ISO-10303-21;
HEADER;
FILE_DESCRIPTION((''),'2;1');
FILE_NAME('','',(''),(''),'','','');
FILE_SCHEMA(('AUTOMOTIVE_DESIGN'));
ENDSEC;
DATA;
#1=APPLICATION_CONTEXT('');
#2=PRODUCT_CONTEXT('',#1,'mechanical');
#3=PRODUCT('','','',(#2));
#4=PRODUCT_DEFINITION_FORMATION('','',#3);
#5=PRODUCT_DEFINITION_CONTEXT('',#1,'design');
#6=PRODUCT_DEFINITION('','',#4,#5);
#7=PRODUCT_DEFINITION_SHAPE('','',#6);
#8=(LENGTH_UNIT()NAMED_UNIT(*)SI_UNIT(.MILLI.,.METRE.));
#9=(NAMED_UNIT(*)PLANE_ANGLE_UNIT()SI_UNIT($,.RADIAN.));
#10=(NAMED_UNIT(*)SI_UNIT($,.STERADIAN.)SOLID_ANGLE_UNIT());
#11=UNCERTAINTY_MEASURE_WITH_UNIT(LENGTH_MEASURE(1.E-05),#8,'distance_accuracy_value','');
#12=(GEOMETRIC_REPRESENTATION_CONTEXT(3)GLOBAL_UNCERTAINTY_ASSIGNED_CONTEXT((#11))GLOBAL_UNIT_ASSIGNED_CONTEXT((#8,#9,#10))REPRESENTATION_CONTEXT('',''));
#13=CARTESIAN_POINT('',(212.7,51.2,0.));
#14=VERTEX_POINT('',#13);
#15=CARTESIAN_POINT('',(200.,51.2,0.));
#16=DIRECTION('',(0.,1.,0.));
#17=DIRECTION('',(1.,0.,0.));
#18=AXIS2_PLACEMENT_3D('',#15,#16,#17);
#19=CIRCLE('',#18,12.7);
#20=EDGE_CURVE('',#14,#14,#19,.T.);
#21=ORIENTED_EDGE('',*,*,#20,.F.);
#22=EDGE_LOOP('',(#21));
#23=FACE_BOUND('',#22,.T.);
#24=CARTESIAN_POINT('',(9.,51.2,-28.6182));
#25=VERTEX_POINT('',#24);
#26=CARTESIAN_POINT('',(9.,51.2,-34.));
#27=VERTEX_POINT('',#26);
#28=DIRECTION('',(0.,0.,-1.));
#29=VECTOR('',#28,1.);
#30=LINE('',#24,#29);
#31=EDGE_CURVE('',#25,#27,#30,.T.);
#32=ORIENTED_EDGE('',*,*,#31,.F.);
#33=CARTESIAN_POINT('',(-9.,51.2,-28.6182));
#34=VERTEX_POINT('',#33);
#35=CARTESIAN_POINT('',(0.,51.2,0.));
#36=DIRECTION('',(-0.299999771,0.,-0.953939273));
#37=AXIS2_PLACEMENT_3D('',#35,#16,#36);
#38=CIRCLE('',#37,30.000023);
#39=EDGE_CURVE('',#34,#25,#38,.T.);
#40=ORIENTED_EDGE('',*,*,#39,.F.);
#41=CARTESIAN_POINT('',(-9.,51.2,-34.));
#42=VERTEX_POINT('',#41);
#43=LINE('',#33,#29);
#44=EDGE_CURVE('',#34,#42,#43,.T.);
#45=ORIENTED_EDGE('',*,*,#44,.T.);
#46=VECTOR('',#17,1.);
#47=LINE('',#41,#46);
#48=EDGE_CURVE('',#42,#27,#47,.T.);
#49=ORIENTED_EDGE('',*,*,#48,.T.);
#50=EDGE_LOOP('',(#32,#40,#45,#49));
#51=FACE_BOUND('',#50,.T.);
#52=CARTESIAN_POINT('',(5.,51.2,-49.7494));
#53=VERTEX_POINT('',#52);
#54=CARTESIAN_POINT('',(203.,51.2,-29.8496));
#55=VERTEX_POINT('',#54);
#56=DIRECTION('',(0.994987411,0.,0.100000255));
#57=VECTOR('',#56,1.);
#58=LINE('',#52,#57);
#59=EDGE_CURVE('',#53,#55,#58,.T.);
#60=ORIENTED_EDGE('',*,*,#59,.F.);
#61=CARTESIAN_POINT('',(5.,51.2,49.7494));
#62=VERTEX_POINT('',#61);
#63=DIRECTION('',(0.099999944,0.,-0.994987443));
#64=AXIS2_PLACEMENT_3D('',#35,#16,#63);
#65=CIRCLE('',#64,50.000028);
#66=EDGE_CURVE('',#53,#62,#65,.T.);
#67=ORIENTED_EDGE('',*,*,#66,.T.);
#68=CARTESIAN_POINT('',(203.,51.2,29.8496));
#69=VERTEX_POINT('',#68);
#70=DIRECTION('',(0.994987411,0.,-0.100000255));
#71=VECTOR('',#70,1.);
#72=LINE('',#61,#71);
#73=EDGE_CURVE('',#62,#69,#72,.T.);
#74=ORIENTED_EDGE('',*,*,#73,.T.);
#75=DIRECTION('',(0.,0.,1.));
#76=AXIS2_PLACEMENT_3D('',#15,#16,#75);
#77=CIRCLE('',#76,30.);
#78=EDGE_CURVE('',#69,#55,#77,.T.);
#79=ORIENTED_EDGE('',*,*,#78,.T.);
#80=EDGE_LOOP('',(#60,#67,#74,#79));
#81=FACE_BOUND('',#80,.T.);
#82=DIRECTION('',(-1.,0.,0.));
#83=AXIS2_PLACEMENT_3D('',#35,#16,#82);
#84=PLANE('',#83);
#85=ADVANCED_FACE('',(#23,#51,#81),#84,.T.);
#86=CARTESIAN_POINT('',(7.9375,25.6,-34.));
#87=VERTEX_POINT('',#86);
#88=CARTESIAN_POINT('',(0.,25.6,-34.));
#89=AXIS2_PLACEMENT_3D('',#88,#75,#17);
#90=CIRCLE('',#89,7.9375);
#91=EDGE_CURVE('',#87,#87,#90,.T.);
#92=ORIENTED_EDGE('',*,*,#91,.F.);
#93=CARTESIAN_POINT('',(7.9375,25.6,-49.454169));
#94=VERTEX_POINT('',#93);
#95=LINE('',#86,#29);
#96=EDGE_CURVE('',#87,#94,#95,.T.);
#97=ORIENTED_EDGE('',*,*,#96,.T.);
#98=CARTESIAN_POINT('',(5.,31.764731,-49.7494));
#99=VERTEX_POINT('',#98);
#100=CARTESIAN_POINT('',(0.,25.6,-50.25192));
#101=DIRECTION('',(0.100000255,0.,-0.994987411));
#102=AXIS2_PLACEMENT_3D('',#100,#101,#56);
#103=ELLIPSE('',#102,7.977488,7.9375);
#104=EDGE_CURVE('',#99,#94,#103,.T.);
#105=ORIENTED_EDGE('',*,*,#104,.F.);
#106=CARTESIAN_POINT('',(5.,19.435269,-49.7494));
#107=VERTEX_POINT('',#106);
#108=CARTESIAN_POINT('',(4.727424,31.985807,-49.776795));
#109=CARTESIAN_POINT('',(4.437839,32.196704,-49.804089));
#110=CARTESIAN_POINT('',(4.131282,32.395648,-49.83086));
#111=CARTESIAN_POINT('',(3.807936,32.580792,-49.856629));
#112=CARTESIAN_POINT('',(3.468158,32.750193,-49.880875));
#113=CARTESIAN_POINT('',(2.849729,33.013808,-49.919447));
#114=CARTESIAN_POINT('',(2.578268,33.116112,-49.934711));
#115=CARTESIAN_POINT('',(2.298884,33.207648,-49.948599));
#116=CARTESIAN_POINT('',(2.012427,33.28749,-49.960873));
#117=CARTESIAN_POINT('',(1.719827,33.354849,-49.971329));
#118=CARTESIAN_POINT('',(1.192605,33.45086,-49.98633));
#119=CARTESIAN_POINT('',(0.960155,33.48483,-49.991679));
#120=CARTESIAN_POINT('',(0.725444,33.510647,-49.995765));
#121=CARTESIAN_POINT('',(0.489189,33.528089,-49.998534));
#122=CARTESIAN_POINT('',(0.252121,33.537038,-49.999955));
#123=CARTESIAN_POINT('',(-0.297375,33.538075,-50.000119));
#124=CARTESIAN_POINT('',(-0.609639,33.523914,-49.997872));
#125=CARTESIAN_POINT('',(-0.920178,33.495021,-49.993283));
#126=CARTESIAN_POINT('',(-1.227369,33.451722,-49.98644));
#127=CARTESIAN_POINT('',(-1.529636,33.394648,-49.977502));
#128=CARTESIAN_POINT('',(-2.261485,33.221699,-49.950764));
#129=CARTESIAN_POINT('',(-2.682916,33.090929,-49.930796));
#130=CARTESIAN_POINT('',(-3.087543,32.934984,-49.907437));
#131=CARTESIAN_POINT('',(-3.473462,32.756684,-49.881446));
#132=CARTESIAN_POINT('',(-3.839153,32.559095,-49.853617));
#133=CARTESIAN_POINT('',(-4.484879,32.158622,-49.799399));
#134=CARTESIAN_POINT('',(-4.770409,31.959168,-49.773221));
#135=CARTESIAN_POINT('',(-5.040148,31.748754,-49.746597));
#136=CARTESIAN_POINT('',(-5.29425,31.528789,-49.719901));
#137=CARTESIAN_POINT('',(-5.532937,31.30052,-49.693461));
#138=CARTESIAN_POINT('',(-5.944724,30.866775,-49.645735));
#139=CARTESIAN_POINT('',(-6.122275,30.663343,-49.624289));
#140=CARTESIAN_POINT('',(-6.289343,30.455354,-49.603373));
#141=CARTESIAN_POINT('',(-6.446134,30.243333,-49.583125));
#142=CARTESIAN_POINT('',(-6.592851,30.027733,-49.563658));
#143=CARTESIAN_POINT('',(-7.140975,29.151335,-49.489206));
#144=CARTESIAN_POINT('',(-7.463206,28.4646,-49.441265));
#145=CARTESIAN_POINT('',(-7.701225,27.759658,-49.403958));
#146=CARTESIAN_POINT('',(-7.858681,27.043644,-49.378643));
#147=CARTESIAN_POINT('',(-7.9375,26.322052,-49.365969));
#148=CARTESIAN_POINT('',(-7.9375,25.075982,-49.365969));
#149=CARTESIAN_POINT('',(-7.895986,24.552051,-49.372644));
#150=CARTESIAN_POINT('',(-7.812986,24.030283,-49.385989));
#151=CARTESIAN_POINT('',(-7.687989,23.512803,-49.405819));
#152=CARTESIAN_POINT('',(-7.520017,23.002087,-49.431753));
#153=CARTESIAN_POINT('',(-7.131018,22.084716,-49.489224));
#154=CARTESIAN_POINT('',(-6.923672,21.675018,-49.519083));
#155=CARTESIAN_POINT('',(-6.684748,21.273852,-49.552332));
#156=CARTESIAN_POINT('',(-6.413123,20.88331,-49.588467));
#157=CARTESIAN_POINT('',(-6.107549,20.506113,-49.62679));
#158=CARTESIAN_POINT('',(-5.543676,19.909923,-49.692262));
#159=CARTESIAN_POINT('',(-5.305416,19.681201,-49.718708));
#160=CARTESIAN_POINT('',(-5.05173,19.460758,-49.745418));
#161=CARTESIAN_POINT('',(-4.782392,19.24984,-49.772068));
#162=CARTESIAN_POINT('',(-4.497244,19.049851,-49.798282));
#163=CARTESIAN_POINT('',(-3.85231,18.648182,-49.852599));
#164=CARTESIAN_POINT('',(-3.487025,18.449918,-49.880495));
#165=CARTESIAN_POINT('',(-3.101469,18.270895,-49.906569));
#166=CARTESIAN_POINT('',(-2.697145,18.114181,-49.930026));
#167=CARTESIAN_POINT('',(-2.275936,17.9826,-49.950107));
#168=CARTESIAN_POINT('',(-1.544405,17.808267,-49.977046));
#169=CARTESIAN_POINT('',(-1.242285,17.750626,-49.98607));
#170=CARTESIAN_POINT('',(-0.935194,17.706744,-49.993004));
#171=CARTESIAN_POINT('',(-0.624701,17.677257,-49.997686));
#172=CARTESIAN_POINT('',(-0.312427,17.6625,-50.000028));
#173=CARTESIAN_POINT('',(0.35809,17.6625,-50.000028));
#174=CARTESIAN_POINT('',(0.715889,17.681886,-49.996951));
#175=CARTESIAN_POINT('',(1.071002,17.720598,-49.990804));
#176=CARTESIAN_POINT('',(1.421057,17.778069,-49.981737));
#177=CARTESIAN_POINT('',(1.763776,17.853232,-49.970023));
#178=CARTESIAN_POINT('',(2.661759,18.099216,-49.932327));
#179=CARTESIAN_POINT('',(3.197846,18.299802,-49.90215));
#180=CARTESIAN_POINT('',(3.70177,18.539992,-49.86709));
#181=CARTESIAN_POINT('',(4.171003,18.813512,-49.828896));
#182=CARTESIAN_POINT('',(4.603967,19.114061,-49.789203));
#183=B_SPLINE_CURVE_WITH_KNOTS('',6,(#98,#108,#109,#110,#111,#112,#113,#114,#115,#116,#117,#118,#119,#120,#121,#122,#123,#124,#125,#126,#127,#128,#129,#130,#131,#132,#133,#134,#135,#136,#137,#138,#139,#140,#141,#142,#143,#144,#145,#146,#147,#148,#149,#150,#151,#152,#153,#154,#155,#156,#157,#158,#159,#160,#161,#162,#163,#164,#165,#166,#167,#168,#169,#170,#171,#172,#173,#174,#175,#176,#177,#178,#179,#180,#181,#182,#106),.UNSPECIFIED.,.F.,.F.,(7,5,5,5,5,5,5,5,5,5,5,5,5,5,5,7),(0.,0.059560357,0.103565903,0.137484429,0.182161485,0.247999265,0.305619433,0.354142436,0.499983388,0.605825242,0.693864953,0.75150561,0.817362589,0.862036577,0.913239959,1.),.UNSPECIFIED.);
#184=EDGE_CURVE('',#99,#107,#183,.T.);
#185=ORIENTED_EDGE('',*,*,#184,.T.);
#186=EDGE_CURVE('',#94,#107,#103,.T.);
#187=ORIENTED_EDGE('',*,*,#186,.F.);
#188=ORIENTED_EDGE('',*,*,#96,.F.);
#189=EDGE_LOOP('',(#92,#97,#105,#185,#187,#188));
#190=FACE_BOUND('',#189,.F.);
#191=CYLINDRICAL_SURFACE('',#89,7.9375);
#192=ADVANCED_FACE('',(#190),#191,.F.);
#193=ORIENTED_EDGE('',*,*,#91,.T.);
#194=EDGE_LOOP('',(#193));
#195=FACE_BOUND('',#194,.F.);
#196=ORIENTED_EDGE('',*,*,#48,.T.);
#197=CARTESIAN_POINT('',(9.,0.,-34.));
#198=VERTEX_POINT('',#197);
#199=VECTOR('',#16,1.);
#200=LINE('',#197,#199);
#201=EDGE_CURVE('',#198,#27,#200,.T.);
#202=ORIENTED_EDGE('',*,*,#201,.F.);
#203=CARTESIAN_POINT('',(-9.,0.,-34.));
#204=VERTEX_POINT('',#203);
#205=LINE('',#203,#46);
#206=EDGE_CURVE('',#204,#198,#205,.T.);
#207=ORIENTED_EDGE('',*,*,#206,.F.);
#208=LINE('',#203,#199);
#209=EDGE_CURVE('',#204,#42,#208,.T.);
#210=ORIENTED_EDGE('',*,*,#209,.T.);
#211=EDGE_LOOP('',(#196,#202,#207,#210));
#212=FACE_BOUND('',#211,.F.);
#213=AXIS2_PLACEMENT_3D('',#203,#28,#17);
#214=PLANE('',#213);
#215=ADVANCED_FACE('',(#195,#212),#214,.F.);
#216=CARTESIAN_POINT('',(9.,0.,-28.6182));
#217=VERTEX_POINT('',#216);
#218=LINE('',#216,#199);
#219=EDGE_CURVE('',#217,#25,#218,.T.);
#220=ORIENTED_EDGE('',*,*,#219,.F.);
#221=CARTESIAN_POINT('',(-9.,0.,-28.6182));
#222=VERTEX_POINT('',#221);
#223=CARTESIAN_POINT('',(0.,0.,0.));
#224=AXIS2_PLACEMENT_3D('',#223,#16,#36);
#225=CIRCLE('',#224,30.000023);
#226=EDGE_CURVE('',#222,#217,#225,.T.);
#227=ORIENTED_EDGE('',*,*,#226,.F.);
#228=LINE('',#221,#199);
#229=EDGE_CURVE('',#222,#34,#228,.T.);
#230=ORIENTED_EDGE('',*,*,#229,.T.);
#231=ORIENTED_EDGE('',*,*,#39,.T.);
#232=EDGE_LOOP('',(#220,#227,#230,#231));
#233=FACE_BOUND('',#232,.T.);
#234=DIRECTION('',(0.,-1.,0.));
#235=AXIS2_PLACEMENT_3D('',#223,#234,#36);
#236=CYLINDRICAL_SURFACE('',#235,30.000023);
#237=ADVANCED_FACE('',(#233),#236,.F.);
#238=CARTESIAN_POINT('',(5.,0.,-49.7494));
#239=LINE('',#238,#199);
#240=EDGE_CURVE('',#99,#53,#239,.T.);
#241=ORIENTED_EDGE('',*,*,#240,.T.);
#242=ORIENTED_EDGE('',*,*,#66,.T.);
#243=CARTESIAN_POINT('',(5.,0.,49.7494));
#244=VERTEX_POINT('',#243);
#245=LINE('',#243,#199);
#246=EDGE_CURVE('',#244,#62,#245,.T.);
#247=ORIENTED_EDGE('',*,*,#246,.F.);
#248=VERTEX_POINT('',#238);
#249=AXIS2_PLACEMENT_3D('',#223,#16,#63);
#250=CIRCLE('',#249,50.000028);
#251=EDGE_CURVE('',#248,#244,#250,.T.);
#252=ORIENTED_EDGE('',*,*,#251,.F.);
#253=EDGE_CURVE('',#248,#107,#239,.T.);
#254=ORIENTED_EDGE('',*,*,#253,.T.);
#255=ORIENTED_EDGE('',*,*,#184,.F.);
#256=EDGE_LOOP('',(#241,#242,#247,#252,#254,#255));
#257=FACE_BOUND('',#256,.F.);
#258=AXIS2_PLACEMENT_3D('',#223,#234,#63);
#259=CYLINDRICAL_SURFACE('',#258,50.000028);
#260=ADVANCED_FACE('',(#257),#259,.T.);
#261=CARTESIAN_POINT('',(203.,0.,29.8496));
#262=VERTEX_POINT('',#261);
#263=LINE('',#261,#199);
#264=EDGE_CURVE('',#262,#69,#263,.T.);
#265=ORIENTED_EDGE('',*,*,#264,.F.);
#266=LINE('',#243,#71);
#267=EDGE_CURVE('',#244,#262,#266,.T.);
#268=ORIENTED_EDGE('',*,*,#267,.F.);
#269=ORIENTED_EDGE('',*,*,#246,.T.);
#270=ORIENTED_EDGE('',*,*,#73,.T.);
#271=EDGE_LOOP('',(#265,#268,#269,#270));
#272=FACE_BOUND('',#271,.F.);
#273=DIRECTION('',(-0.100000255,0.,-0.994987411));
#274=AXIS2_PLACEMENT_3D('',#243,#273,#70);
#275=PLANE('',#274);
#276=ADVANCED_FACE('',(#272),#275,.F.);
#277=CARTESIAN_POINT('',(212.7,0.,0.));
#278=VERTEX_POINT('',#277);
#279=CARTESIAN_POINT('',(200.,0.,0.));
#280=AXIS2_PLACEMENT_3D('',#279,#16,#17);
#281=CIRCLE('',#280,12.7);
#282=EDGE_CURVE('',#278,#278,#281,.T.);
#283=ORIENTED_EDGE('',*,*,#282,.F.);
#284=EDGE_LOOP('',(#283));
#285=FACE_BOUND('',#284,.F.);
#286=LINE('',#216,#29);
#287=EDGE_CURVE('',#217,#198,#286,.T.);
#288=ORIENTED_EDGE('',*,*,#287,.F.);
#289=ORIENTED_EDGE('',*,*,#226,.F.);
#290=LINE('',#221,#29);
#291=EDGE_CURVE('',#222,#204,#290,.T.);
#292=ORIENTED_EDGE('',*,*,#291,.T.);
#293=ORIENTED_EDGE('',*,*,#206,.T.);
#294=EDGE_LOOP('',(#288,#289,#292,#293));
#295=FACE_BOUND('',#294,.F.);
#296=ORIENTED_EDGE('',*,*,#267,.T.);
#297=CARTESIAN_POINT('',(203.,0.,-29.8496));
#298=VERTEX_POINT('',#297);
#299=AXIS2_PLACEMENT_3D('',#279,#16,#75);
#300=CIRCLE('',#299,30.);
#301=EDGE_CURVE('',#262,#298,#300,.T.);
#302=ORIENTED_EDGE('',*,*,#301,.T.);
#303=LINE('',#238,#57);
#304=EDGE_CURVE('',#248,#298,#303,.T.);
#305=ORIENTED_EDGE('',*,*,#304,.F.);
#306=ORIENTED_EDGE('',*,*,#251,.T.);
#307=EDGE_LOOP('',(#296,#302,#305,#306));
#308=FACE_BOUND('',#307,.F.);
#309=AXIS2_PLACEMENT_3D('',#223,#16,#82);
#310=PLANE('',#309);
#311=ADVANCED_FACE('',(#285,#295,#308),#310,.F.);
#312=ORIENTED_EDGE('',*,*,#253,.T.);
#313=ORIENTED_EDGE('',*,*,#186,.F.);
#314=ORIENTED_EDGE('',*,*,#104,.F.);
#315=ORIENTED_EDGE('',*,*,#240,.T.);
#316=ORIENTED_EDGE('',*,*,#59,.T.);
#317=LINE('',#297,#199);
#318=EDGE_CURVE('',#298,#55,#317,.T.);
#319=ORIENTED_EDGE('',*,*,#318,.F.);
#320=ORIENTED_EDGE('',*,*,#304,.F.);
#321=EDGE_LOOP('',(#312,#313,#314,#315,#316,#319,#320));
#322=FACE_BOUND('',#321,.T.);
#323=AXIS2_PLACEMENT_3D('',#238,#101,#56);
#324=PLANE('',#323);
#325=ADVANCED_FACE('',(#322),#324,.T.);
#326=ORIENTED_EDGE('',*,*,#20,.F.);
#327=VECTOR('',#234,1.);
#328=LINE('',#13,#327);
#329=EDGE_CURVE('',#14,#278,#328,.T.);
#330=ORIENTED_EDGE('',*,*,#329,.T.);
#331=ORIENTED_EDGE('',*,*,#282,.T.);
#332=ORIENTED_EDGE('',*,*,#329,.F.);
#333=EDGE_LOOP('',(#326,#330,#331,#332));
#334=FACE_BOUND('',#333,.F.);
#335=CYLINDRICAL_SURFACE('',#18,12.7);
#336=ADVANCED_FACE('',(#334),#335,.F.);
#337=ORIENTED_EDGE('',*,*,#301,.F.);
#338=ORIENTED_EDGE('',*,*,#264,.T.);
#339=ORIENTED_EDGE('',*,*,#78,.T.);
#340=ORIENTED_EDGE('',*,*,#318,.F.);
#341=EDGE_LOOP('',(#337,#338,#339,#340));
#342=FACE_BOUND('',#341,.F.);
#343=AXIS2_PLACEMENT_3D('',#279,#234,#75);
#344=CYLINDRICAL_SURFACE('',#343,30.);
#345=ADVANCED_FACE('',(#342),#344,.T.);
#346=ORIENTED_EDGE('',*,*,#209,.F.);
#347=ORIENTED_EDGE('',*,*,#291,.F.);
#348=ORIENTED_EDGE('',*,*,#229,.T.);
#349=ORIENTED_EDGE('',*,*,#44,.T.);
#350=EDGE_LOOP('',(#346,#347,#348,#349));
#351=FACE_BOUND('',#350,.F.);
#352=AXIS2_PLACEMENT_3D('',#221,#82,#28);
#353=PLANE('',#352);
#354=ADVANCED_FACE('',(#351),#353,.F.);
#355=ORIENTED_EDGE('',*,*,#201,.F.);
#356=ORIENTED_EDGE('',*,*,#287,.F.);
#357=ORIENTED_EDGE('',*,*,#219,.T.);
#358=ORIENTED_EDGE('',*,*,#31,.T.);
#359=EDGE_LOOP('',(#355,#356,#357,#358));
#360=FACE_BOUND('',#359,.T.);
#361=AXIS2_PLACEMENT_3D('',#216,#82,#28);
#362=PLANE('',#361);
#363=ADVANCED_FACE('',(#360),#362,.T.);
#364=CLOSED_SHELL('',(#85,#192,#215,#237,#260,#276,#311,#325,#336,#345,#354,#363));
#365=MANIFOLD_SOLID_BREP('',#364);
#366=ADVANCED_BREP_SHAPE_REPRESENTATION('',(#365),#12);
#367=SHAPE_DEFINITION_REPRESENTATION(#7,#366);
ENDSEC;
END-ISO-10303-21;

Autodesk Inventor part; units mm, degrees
ref_plane "YZ Plane" through (0, 0, 0) normal (1, 0, 0) x (0, 1, 0)
ref_plane "XZ Plane" through (0, 0, 0) normal (0, 1, 0) x (-1, 0, 0)
ref_plane "XY Plane" through (0, 0, 0) normal (0, 0, 1) x (1, 0, 0)
sketch "Sketch1" plane through (0, 0, 0) normal (0, 1, 0) x (-1, 0, 0)
  arc A0 (9, -28.6182) -> (-9, -28.6182) centre (0, 0) ccw
  arc A1 (-5, 49.7494) -> (-5, -49.7494) centre (0, 0) ccw construction
  line L0 (0, 0) -> (-200, 0) construction
  arc A2 (-170, 0) -> (-200, 30) centre (-200, 0) ccw construction
  line L1 (-200, 30) -> (-200, -30) construction
  line L2 (-5, -49.7494) -> (-203, -29.8496)
  line L3 (-5, 49.7494) -> (-203, 29.8496)
  arc A3 (-5, -49.7494) -> (-5, 49.7494) centre (0, 0) ccw
  arc A4 (-200, -30) -> (-170, 0) centre (-200, 0) ccw construction
  arc A5 (-200, 30) -> (-200, -30) centre (-200, 0) ccw
  line L4 (0, 0) -> (0, -30) construction
  line L5 (9, -23) -> (-9, -23) construction
  line L6 (9, -23) -> (9, -28.6182) construction
  line L7 (-9, -23) -> (-9, -28.6182) construction
  line L8 (9, -28.6182) -> (9, -34)
  line L9 (-9, -28.6182) -> (-9, -34)
  line L10 (9, -34) -> (-9, -34)
  arc A6 (0, -30) -> (9, -28.6182) centre (0, 0) ccw construction
  arc A7 (-9, -28.6182) -> (0, -30) centre (0, 0) ccw construction
  dimension "d0" = 60
  dimension "d1" = 100
  dimension "d2" = 200
  dimension "d3" = 60
  dimension "d5" = 18
  dimension "d6" = 7
  dimension "d7" = 4
extrude "Extrusion1" add sketch "Sketch1" along normal blind 51.2
sketch "Sketch2" plane through (0, 51.2, 0) normal (0, 1, 0) x (1, 0, 0)
  arc A0 (203, -29.8496) -> (203, 29.8496) centre (200, 0) ccw projected
  circle A1 centre (200, 0) radius 12.7
  point P0 (0, 0)
  dimension "d10" = 25.4
extrude "Extrusion4" cut sketch "Sketch2" against normal through all
sketch "Sketch4" plane through (-9, 0, -34) normal (0, 0, 1) x (1, 0, 0)
  line L0 (0, 0) -> (18, 0) projected
  line L1 (18, 0) -> (18, 51.2) projected
  line L2 (0, 51.2) -> (18, 51.2) projected
  line L3 (0, 0) -> (0, 51.2) projected
  line L4 (9, 51.2) -> (9, 0) construction
  line L5 (0, 0) -> (0, 51.2) construction
  line L6 (0, 25.6) -> (18, 25.6) construction
  circle A0 centre (9, 25.6) radius 7.9375
  dimension "d24" = 15.875
extrude "Extrusion5" cut sketch "Sketch4" against normal through all contours A0
thread "Thread3" size "M16x2" class "6H" standard "ANSI Metric M Profile" length 44.7802
properties part number "placa manivela" material "Steel, Carbon"
